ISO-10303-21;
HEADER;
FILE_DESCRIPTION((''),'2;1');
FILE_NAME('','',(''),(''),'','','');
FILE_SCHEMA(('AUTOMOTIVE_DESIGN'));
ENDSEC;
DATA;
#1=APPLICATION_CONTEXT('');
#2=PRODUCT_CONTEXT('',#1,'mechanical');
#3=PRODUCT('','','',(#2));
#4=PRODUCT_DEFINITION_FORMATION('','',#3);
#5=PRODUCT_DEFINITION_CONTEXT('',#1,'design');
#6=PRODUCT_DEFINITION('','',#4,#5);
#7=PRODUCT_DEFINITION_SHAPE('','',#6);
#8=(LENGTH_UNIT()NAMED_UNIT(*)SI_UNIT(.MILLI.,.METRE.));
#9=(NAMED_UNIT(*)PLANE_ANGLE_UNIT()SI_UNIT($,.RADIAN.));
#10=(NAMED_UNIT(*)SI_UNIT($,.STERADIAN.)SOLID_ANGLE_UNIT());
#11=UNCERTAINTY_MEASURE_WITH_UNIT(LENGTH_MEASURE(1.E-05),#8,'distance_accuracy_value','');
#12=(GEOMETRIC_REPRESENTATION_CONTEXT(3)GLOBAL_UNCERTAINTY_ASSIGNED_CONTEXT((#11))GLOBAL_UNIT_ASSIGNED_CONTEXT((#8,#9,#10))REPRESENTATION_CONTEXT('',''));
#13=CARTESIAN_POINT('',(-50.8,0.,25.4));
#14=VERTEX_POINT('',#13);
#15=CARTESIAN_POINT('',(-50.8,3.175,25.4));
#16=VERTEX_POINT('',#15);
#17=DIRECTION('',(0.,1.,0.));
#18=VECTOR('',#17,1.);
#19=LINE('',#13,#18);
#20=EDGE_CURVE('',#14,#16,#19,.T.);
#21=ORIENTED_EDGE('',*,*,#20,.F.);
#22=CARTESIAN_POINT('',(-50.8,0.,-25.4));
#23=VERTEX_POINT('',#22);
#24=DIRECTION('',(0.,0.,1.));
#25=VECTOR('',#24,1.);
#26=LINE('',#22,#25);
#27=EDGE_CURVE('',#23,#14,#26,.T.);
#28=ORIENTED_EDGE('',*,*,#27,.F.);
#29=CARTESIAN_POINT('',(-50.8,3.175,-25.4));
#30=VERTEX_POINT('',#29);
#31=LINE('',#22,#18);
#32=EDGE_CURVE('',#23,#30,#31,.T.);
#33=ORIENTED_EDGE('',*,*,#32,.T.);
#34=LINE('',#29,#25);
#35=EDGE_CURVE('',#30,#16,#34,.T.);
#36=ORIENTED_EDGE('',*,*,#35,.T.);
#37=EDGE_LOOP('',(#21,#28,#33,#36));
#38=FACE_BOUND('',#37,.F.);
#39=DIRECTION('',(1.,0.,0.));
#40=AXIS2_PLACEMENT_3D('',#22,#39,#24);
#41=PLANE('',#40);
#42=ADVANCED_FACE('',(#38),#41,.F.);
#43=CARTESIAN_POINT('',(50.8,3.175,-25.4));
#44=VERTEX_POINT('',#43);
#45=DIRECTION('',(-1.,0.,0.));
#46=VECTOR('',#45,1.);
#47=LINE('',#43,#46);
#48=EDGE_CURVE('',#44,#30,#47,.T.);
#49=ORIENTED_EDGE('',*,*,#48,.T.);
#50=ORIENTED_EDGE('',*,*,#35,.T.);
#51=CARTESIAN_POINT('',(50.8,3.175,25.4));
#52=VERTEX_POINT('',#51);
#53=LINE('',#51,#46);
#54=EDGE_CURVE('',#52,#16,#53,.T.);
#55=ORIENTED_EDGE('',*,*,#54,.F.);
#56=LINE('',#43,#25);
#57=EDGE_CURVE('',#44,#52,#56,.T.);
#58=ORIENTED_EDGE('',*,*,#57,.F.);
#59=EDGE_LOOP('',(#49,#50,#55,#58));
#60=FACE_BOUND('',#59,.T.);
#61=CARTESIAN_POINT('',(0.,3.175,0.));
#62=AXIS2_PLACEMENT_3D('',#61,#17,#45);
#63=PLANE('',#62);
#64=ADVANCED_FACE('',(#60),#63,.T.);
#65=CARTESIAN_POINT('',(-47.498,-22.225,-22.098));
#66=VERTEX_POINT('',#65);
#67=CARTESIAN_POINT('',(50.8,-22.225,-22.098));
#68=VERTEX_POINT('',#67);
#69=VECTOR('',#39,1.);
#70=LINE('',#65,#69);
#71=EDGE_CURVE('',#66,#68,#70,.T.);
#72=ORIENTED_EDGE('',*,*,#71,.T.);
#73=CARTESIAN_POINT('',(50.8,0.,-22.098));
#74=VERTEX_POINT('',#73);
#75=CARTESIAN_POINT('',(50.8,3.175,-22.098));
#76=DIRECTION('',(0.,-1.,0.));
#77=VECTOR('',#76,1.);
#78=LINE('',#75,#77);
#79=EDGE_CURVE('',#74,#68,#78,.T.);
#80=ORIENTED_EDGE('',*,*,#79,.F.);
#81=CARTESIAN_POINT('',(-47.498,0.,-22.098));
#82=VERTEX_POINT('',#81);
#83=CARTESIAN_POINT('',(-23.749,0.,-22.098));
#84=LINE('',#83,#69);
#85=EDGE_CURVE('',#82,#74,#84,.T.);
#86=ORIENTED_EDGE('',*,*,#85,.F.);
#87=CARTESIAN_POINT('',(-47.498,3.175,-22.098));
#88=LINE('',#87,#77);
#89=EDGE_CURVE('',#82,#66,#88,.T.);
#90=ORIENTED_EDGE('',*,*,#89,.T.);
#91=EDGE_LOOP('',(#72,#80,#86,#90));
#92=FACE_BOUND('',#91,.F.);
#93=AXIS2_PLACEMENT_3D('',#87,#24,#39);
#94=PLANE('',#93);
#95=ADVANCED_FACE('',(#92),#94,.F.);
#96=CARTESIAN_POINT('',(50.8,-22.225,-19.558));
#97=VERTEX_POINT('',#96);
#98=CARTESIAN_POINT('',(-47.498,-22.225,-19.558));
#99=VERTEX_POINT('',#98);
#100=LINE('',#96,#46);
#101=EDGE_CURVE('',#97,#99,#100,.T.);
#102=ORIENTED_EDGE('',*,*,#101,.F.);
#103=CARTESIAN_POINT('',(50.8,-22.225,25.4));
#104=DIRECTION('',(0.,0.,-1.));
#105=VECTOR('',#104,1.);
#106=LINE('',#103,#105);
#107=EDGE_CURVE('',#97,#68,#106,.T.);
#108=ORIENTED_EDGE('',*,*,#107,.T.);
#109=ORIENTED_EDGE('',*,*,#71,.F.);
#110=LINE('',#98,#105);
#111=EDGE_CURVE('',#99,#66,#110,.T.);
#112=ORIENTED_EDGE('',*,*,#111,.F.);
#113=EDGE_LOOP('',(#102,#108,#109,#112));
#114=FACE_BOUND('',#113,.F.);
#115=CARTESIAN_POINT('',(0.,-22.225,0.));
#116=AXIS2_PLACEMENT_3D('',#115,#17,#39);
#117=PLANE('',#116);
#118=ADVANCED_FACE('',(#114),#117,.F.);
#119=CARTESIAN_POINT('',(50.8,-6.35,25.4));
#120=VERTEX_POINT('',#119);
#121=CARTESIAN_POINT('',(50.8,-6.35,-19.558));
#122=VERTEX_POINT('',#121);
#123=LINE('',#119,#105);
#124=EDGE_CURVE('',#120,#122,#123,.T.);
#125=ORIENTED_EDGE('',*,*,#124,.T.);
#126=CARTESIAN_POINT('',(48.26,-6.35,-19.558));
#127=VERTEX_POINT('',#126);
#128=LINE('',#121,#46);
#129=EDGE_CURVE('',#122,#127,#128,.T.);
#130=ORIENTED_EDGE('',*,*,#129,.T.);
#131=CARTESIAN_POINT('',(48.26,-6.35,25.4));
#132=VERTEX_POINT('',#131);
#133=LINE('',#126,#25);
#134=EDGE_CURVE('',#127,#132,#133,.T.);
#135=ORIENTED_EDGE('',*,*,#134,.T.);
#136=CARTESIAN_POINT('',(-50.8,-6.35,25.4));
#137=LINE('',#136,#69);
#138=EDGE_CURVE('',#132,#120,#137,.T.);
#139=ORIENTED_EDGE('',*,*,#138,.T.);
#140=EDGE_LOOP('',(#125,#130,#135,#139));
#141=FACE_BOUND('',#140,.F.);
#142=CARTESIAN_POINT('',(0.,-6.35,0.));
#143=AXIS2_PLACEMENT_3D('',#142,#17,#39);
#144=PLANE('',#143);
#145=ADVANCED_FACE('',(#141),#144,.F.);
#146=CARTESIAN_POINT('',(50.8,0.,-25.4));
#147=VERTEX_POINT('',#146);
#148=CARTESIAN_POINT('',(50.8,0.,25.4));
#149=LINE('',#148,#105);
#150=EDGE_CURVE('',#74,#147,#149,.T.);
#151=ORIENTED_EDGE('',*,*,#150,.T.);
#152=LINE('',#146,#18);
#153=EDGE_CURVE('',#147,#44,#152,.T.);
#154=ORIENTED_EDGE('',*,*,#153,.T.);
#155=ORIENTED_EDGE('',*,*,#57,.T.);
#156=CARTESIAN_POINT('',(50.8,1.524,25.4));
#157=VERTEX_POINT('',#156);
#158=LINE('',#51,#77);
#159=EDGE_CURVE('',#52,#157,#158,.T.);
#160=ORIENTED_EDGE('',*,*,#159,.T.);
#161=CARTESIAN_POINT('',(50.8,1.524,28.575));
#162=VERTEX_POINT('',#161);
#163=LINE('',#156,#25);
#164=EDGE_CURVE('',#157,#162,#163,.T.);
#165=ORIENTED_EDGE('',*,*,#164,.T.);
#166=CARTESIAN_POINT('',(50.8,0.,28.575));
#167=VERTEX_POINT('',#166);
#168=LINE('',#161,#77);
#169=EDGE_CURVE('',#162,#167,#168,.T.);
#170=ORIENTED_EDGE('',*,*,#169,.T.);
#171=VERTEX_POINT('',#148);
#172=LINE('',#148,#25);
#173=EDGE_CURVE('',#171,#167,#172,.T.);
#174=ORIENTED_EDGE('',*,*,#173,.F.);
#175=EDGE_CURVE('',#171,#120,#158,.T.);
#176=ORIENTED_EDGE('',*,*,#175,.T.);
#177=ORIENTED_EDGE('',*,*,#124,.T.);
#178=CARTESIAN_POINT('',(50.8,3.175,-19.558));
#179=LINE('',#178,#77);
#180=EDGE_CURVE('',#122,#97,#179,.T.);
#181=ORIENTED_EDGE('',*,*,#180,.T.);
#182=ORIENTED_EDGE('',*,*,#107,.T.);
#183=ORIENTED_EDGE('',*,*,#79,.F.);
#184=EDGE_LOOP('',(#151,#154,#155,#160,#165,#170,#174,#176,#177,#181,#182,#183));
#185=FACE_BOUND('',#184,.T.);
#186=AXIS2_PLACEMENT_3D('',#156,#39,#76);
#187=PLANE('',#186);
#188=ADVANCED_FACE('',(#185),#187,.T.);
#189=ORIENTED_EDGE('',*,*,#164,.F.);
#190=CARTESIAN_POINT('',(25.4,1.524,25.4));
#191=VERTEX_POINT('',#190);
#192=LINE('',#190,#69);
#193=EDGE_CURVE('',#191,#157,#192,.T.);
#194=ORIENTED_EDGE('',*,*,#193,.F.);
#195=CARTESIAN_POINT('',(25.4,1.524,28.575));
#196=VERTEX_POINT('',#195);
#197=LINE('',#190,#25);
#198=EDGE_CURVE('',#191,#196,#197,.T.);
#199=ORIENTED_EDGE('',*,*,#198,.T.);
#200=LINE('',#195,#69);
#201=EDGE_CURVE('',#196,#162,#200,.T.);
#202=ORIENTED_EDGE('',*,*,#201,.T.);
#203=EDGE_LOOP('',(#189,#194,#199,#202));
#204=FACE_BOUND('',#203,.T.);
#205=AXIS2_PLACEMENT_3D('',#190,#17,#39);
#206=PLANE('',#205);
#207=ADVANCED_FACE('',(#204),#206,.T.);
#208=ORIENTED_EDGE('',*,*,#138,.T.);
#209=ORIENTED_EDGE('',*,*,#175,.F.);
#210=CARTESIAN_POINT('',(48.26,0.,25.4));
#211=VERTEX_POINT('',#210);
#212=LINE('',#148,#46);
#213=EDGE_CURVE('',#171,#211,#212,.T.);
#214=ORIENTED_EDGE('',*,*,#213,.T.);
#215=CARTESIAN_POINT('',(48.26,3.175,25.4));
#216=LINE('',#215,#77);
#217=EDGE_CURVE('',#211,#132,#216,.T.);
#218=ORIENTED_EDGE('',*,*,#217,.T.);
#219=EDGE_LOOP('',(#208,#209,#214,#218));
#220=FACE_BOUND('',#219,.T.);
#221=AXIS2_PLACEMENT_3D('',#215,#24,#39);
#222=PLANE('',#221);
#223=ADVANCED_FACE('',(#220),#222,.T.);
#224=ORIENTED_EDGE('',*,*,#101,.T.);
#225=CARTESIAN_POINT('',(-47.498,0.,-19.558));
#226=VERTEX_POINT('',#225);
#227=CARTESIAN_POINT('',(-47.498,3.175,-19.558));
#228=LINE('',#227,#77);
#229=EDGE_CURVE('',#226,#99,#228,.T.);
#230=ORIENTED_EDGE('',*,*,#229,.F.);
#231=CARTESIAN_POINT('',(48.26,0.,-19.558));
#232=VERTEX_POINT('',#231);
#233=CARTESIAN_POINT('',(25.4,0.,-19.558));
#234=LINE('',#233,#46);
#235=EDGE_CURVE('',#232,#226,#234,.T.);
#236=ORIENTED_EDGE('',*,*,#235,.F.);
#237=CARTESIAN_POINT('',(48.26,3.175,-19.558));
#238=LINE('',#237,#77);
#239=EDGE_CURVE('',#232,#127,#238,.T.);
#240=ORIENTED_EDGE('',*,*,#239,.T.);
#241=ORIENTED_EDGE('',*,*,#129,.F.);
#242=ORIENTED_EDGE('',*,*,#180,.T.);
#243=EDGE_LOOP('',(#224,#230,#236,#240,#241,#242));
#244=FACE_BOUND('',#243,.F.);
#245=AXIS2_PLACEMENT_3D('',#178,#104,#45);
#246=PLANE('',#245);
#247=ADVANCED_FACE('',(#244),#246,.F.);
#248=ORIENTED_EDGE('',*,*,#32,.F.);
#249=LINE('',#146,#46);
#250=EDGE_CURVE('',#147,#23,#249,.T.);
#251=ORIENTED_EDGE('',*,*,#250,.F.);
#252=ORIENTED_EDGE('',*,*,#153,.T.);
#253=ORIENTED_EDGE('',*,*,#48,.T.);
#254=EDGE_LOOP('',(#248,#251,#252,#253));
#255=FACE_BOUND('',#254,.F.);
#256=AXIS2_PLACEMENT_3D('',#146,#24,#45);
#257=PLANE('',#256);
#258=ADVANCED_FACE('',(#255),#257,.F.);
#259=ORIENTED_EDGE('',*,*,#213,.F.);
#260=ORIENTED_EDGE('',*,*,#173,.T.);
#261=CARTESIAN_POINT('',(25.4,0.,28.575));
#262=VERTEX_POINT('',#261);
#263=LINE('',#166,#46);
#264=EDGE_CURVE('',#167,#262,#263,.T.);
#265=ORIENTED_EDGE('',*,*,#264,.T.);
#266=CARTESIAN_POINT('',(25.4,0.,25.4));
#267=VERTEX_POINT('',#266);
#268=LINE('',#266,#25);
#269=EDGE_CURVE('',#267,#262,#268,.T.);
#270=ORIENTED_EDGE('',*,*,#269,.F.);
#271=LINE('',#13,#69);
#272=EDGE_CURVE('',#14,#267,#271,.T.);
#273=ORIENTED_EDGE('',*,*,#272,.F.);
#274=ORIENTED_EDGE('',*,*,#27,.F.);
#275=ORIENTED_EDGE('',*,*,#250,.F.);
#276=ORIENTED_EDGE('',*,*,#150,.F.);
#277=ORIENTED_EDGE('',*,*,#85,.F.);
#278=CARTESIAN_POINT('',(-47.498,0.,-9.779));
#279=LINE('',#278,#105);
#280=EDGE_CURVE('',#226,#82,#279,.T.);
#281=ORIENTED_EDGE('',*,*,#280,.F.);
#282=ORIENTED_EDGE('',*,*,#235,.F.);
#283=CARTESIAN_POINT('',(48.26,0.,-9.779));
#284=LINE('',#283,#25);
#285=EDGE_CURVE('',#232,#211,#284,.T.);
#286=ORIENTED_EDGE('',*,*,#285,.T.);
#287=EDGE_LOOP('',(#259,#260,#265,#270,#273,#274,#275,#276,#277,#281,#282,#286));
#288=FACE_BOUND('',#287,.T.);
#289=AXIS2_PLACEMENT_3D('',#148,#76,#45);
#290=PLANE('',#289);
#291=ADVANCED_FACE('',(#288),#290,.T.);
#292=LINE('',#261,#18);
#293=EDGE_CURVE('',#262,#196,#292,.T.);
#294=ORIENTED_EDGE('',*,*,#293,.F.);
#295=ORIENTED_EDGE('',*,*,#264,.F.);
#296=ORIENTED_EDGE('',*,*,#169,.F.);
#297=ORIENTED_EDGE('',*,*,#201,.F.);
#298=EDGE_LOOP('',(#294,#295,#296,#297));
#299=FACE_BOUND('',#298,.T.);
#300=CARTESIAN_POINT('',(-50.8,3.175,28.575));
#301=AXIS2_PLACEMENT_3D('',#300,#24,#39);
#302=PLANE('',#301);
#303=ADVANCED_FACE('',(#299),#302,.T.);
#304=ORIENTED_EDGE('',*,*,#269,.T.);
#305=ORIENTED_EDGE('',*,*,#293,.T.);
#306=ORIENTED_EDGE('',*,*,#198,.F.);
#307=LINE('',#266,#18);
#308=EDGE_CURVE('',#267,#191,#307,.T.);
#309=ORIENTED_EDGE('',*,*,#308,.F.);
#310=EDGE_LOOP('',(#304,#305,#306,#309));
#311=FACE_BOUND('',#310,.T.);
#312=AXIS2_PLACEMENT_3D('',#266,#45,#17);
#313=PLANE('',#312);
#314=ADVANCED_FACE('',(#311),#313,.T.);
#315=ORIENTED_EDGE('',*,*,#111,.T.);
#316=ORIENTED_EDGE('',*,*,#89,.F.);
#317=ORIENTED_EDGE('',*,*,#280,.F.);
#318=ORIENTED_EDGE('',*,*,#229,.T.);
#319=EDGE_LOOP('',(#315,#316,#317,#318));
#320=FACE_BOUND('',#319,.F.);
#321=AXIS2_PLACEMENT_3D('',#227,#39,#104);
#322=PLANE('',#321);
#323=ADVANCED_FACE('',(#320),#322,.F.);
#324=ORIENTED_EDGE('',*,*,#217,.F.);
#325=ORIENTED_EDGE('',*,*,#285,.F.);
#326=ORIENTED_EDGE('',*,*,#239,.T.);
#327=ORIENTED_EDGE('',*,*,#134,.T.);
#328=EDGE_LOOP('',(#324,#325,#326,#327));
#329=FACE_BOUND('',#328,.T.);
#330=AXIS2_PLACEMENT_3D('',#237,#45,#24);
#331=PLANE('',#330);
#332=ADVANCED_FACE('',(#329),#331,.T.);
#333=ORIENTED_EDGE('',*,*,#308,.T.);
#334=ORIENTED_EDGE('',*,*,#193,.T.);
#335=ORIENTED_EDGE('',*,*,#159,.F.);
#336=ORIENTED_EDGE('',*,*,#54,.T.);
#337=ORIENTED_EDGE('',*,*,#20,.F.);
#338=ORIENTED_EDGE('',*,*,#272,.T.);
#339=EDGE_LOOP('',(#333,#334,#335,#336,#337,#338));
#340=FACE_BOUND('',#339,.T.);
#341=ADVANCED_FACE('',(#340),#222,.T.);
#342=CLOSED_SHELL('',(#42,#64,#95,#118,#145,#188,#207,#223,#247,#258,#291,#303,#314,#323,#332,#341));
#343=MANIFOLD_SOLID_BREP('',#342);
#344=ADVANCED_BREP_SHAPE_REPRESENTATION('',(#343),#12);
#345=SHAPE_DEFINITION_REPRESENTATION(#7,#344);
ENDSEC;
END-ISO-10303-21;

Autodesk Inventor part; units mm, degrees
ref_plane "YZ Plane" through (0, 0, 0) normal (1, 0, 0) x (0, 1, 0)
ref_plane "XZ Plane" through (0, 0, 0) normal (0, 1, 0) x (-1, 0, 0)
ref_plane "XY Plane" through (0, 0, 0) normal (0, 0, 1) x (1, 0, 0)
sketch "Sketch1" plane through (0, 0, 0) normal (0, 1, 0) x (-1, 0, 0)
  line L0 (50.8, 25.4) -> (-50.8, 25.4)
  line L1 (-50.8, 25.4) -> (-50.8, -25.4)
  line L2 (-50.8, -25.4) -> (50.8, -25.4)
  line L3 (50.8, -25.4) -> (50.8, 25.4)
  line L4 (50.8, 25.4) -> (-50.8, -25.4) construction
  line L5 (-50.8, 25.4) -> (50.8, -25.4) construction
  point P0 (0, 0)
  dimension "d0" = 101.6
  dimension "d1" = 50.8
extrude "Extrusion1" add sketch "Sketch1" along normal blind 3.175
sketch "Sketch3" plane through (0, 3.175, 0) normal (0, 1, 0) x (1, 0, 0)
  line L0 (50.8, 25.4) -> (-50.8, 25.4) projected
  line L1 (0, 25.4) -> (0, 22.098) construction
  line L2 (-50.8, 25.4) -> (-50.8, -25.4) construction
  line L3 (-50.8, 25.4) -> (-50.8, -25.4) construction
  line L4 (-50.8, 25.4) -> (-47.498, 25.4) construction
  line L5 (-47.498, 25.4) -> (-47.498, -25.4) construction
  line L6 (-50.8, -25.4) -> (50.8, -25.4) construction
  line L7 (-47.498, 22.098) -> (50.8, 22.098) construction
  line L8 (50.8, -25.4) -> (50.8, 25.4) projected
  line L9 (-47.498, 22.098) -> (50.8, 22.098)
  line L10 (50.8, 22.098) -> (50.8, 19.558)
  line L11 (50.8, 19.558) -> (-47.498, 19.558)
  line L12 (-47.498, 19.558) -> (-47.498, 22.098)
  point P0 (0, 0)
  dimension "d8" = 3.302
  dimension "d9" = 3.302
  dimension "d10" = 2.54
extrude "Extrusion3" add sketch "Sketch3" against normal blind 25.4
sketch "Sketch4" plane through (0, 3.175, 0) normal (0, 1, 0) x (1, 0, 0)
  line L0 (50.8, 19.558) -> (-47.498, 19.558) projected
  line L1 (-50.8, -25.4) -> (50.8, -25.4) projected
  line L2 (50.8, 19.558) -> (48.26, 19.558)
  line L3 (48.26, 19.558) -> (48.26, -25.4)
  line L4 (48.26, -25.4) -> (50.8, -25.4)
  line L5 (50.8, -25.4) -> (50.8, 19.558)
  point P0 (0, 0)
  dimension "d13" = 2.54
extrude "Extrusion4" add sketch "Sketch4" against normal blind 9.525
sketch "Sketch5" plane through (-50.8, 3.175, 25.4) normal (0, 0, 1) x (1, 0, 0)
  line L0 (101.6, -3.175) -> (0, -3.175) projected
  line L1 (101.6, -3.175) -> (76.2, -3.175)
  line L2 (76.2, -3.175) -> (76.2, -1.651)
  line L3 (76.2, -1.651) -> (101.6, -1.651)
  line L4 (101.6, -1.651) -> (101.6, -3.175)
  point P0 (50.8, -3.175)
  dimension "d16" = 25.4
  dimension "d17" = 1.524
extrude "Extrusion5" add sketch "Sketch5" along normal blind 3.175
properties part number "Wire Housing Wall vglue"
